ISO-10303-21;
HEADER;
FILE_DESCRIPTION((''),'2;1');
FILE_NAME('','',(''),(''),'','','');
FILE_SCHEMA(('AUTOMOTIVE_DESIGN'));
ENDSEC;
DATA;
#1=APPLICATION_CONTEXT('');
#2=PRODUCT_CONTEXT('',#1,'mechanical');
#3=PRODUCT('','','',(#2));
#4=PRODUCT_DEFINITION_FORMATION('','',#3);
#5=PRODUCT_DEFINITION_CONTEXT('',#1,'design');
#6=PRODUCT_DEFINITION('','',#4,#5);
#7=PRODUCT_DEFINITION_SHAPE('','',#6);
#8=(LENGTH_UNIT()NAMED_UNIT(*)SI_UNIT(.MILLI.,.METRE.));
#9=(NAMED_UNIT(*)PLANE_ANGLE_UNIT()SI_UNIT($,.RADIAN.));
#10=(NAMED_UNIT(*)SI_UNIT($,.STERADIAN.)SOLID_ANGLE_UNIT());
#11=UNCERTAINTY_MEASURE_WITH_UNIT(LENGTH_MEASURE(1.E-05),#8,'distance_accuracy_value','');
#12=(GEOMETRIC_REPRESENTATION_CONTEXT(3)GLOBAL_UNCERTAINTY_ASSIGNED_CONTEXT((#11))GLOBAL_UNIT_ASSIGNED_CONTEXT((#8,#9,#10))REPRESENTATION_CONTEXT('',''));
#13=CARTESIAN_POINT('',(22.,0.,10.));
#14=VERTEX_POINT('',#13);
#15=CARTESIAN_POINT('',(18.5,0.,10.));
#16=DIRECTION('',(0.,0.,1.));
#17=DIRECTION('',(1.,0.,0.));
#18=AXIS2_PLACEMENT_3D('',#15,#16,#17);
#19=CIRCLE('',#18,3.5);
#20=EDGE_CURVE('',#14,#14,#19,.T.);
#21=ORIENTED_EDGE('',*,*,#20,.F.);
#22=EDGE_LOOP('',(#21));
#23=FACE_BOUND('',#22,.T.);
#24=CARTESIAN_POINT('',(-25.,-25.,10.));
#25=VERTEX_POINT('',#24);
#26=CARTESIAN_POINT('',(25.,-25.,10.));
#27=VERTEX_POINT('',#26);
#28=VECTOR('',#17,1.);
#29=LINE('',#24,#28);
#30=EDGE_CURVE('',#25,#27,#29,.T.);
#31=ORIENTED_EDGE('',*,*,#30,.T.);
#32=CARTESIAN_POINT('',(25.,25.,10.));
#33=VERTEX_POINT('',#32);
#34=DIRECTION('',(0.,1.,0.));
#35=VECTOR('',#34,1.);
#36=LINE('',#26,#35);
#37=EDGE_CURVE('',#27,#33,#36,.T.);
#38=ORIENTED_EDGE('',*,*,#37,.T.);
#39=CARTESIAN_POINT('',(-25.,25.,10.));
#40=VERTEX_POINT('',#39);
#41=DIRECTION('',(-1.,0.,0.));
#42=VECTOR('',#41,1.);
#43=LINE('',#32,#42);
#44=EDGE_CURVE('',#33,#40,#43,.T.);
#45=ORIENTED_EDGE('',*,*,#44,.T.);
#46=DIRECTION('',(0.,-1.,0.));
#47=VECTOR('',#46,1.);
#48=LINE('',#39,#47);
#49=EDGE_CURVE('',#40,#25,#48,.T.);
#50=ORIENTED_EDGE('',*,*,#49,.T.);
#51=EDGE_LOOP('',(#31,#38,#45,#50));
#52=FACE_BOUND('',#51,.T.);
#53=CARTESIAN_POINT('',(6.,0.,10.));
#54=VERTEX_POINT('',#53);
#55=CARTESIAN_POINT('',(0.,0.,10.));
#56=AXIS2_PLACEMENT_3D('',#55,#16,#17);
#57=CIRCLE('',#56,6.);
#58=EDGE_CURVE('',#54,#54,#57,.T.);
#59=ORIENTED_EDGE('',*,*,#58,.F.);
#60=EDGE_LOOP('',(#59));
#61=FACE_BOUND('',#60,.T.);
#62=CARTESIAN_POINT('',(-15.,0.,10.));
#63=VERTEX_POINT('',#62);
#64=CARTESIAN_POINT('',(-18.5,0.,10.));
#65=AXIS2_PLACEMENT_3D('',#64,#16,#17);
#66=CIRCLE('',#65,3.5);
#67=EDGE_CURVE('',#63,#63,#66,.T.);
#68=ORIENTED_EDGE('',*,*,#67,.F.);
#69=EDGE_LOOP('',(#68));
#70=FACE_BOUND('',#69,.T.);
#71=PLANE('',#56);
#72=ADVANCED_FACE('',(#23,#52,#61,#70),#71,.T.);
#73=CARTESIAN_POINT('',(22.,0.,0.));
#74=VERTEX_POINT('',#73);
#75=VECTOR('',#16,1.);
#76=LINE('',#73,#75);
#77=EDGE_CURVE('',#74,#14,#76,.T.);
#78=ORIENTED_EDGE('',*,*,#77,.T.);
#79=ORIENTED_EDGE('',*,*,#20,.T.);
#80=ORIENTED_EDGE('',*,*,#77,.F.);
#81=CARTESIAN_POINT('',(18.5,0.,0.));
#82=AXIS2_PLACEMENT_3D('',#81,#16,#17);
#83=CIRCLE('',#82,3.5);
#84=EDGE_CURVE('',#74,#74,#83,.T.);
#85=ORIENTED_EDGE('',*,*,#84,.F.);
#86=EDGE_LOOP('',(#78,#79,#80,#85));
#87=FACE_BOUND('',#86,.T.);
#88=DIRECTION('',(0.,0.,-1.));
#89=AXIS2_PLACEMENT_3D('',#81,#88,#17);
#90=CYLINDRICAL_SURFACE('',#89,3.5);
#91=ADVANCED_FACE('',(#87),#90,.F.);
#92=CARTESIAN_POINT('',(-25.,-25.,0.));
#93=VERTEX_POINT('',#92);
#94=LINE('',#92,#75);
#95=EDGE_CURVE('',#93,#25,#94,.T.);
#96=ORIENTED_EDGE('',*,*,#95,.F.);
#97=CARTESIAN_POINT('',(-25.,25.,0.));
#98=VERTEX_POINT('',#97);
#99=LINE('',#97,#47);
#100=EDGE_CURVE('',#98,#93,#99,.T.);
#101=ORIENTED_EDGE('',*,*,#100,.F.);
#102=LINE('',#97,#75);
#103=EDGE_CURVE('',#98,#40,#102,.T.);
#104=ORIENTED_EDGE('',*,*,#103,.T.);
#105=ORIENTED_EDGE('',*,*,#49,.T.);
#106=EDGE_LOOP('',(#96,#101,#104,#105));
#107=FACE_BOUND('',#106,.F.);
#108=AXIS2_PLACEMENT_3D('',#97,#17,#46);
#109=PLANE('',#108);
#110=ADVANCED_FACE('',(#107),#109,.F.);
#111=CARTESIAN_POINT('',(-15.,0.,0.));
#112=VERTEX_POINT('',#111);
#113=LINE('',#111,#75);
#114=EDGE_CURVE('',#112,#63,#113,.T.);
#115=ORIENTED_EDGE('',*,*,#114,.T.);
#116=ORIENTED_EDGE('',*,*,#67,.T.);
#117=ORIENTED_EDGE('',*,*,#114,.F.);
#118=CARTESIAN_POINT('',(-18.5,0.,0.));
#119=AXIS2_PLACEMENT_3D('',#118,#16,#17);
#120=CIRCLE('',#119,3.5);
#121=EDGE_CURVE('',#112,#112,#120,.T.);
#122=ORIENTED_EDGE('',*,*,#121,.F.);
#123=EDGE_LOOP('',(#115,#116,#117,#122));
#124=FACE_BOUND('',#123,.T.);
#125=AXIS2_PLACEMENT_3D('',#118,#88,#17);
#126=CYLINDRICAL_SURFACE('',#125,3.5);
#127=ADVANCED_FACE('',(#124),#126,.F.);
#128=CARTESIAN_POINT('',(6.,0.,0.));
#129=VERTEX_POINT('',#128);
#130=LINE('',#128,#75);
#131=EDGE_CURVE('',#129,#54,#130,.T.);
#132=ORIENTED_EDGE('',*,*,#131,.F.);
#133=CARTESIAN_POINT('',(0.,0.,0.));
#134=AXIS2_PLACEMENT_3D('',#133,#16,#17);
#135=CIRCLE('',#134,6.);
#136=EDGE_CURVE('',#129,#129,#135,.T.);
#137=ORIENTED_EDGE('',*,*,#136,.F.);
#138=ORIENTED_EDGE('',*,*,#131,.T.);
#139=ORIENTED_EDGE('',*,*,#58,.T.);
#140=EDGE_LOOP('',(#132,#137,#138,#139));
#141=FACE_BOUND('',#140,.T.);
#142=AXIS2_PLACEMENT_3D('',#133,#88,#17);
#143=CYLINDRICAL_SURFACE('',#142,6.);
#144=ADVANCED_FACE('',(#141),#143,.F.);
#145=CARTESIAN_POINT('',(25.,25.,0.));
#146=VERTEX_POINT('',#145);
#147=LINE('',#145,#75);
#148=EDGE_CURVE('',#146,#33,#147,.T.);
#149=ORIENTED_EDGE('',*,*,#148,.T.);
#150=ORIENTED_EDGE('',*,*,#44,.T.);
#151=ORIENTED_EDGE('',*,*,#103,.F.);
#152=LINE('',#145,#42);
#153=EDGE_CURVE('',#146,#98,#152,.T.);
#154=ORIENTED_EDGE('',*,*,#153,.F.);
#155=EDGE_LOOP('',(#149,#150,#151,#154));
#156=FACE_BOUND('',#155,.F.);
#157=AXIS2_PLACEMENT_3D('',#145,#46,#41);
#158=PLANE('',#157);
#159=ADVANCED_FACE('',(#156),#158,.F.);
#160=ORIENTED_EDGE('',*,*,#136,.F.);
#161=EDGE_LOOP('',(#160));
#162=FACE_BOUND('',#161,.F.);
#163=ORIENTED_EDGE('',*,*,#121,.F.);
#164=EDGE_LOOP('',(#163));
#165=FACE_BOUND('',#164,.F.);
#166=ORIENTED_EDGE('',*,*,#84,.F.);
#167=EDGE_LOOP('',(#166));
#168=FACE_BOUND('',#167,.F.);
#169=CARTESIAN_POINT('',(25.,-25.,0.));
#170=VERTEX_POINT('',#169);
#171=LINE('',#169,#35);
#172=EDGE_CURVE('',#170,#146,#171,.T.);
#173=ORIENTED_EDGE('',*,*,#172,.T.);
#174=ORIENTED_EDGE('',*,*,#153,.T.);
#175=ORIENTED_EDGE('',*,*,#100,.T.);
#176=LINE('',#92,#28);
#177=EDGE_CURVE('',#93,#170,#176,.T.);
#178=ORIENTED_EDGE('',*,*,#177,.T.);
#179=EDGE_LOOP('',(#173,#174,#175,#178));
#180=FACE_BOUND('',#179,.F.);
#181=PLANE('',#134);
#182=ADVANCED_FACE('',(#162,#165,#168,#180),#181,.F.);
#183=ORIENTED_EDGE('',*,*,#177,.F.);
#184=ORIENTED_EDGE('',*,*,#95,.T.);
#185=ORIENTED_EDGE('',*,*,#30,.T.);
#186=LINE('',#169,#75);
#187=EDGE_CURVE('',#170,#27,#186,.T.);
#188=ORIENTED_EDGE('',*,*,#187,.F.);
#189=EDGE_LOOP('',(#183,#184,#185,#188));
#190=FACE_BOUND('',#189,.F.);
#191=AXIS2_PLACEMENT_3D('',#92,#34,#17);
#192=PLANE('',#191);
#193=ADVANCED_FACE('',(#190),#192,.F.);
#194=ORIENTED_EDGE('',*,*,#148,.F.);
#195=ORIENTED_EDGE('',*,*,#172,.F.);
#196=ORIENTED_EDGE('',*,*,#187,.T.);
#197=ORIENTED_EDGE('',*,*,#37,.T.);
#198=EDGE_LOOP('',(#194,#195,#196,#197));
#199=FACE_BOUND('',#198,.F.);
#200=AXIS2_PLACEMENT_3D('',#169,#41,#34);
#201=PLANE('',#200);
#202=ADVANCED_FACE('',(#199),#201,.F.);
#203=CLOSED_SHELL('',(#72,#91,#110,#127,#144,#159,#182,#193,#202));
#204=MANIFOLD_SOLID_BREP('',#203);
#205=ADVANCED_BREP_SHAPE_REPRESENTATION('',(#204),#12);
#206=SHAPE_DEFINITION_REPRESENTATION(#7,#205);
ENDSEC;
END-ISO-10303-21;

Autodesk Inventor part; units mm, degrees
ref_plane "YZ Plane" through (0, 0, 0) normal (1, 0, 0) x (0, 1, 0)
ref_plane "XZ Plane" through (0, 0, 0) normal (0, 1, 0) x (-1, 0, 0)
ref_plane "XY Plane" through (0, 0, 0) normal (0, 0, 1) x (1, 0, 0)
sketch "Sketch1" plane through (0, 0, 0) normal (0, 0, 1) x (1, 0, 0)
  line L0 (-25, -25) -> (25, -25)
  line L1 (25, -25) -> (25, 25)
  line L2 (25, 25) -> (-25, 25)
  line L3 (-25, 25) -> (-25, -25)
  line L4 (-25, -25) -> (25, 25) construction
  line L5 (25, -25) -> (-25, 25) construction
  circle A0 centre (0, 0) radius 6
  circle A1 centre (18.5, 0) radius 3.5
  circle A2 centre (-18.5, 0) radius 3.5
  point P0 (25, -3.3541)
  point P1 (25, 3.3541)
  point P2 (-25, 3.3541)
  point P3 (-25, -3.3541)
  dimension "d0" = 50
  dimension "d1" = 50
  dimension "d2" = 12
  dimension "d3" = 7
  dimension "d4" = 18.5
  dimension "d5" = 18.5
extrude "Extrusion1" add sketch "Sketch1" along normal blind 10
equation "\"d5\" = d4"
properties part number "gearbox v2 top part"
